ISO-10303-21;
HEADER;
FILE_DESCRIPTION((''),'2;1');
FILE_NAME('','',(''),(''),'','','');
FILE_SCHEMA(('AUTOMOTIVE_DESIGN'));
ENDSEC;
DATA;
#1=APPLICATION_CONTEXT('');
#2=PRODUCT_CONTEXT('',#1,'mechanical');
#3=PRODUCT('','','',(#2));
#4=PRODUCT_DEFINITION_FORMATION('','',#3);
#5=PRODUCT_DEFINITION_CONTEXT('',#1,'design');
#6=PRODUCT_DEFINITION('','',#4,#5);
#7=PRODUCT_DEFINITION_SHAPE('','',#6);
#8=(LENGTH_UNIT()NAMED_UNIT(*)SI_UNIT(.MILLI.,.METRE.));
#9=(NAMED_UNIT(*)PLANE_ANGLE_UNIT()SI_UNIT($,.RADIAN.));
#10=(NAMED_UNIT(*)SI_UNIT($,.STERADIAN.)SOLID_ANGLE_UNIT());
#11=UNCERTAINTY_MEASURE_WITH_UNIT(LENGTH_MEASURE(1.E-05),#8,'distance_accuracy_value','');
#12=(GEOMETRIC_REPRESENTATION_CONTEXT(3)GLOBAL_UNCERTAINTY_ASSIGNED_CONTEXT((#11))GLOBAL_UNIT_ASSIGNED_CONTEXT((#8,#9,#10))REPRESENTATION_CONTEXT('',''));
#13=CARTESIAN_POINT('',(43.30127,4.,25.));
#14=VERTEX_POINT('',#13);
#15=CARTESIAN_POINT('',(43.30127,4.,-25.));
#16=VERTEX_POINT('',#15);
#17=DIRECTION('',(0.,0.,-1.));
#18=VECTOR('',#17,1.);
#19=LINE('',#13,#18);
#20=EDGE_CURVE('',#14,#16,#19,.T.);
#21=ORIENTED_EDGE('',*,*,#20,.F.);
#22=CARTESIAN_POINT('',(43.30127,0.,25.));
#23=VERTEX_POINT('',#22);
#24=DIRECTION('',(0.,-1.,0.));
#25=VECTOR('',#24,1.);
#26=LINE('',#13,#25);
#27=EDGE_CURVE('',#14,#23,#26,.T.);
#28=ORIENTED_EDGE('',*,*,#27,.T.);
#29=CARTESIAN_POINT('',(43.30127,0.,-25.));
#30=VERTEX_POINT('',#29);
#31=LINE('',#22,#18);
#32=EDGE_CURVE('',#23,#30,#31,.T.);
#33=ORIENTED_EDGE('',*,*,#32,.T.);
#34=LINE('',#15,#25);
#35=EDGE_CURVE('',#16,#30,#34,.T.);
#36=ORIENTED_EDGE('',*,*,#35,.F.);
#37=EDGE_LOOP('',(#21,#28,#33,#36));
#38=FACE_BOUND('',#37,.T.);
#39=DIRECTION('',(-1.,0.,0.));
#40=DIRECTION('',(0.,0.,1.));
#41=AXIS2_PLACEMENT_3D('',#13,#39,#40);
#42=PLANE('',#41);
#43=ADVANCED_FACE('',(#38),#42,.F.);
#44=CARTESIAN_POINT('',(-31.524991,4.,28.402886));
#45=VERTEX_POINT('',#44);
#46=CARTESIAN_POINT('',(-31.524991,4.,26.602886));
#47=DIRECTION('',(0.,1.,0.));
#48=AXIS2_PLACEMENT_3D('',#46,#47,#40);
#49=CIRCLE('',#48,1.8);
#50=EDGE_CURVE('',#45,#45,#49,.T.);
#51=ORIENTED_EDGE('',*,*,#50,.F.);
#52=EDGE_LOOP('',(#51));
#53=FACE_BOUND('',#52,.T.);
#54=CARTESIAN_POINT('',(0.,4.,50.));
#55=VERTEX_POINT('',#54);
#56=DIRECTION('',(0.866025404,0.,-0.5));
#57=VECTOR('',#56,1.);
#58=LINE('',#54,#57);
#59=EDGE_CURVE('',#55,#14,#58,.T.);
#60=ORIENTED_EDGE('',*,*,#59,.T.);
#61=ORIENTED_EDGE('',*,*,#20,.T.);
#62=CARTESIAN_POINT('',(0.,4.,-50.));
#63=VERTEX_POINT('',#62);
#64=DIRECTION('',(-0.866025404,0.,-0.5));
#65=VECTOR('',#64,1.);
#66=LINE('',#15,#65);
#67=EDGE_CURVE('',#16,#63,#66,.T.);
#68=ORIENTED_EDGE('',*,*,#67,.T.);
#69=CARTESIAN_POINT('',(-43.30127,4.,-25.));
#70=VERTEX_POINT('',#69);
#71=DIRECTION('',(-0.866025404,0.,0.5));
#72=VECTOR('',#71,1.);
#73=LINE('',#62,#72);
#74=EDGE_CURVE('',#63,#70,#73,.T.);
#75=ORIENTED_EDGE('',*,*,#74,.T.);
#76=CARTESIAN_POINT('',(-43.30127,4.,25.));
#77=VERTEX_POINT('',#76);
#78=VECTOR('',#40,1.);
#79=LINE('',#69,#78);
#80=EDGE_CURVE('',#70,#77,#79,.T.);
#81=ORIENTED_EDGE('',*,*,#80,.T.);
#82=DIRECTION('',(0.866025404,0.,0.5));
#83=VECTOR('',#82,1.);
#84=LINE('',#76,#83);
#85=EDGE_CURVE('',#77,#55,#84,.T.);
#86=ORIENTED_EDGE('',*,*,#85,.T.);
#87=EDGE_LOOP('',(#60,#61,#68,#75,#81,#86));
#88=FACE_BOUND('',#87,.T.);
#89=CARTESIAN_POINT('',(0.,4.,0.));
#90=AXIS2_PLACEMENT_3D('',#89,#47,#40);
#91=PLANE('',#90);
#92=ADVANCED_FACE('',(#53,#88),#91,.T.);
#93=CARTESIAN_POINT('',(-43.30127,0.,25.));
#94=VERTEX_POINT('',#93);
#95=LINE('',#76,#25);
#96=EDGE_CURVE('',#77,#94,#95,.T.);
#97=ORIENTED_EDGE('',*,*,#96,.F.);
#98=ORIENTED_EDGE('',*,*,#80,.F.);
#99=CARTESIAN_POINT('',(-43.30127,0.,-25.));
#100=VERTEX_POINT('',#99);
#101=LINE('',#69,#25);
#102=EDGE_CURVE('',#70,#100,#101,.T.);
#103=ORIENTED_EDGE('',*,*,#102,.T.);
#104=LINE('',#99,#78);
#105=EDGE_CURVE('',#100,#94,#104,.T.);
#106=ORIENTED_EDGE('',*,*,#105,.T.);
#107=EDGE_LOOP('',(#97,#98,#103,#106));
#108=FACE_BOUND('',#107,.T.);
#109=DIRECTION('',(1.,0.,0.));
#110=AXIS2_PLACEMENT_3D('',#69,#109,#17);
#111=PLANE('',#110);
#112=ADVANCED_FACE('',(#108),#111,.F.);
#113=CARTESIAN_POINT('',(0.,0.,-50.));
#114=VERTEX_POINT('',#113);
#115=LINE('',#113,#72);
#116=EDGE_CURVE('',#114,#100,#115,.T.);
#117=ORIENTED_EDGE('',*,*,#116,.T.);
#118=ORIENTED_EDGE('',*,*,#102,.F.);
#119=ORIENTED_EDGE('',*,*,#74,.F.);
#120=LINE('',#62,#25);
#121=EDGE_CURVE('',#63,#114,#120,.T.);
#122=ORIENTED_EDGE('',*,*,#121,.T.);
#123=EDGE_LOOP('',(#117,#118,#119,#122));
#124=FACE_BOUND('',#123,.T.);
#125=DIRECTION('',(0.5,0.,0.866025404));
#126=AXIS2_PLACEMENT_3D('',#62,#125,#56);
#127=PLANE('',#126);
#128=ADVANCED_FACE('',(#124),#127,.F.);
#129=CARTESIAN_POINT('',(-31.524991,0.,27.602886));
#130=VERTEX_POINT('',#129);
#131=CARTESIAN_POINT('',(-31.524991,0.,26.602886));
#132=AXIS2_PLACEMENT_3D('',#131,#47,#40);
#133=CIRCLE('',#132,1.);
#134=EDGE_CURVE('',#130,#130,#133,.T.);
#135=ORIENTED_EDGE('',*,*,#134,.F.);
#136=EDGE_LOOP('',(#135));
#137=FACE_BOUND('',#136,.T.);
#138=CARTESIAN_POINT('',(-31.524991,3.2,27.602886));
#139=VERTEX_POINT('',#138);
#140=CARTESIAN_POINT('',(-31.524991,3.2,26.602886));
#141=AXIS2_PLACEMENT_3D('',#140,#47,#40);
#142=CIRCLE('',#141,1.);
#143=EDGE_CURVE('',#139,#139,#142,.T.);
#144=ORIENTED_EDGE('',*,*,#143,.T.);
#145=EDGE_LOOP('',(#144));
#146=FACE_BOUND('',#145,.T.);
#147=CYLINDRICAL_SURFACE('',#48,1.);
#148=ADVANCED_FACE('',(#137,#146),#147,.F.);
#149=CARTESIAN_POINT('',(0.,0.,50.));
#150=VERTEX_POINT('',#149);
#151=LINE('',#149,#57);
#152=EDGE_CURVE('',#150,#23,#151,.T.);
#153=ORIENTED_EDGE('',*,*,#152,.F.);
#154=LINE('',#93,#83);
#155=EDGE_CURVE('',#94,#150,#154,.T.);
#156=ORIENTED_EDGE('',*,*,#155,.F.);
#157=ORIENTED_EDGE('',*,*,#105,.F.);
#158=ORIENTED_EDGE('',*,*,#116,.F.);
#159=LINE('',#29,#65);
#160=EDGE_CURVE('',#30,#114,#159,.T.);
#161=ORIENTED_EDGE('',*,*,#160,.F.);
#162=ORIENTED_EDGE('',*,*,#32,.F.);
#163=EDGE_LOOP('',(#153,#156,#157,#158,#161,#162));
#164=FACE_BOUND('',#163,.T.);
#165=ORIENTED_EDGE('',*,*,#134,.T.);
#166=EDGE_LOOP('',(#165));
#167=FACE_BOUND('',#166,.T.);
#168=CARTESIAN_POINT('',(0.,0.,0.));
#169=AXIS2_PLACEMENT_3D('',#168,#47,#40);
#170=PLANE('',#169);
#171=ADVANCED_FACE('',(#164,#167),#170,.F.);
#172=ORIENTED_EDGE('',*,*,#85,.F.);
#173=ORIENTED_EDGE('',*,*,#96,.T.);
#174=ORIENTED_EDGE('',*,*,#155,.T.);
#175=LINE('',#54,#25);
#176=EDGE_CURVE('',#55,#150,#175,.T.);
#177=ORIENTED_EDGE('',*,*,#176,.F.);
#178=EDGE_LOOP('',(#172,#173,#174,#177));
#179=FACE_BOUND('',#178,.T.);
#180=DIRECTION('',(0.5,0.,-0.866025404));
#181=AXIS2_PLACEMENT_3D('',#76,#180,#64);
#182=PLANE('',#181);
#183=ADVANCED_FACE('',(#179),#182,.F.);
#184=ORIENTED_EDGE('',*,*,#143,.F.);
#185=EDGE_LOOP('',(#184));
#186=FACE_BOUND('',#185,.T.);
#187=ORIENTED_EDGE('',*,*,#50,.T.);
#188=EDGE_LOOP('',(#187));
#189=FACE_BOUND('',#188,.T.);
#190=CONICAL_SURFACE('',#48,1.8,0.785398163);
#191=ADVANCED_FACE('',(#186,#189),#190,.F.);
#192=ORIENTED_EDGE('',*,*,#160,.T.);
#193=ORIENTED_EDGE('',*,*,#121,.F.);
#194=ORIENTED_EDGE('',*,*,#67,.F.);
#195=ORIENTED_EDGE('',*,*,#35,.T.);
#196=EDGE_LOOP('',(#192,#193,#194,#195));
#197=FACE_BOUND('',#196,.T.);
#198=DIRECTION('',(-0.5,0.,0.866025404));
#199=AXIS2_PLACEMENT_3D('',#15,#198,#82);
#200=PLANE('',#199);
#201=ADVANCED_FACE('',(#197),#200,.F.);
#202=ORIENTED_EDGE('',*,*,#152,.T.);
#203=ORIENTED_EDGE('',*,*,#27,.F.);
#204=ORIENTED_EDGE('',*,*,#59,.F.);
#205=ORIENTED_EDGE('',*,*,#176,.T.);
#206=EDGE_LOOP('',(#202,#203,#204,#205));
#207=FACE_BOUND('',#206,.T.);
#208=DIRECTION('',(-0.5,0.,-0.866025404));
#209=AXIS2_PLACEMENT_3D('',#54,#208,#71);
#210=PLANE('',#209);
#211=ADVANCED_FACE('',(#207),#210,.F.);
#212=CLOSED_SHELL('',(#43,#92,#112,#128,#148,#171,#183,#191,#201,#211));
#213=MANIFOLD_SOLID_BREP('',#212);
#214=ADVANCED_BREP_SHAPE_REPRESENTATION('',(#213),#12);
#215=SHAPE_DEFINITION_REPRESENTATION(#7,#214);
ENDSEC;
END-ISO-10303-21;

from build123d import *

# Parameters (mm, degrees)
BOSS_EXTRUDE1_DEPTH                                  = 4
CSK_FOR_M1_6_COUNTERSUNK_FLAT_HEAD_SCREW_D           = 2
CSK_FOR_M1_6_COUNTERSUNK_FLAT_HEAD_SCREW_CSINK_D     = 3.6
CSK_FOR_M1_6_COUNTERSUNK_FLAT_HEAD_SCREW_CSINK_ANGLE = 90


with BuildPart() as part:
    # Sketch1 → Boss-Extrude1 (new body)
    with BuildSketch(Plane(origin=(0, 0, 0), x_dir=(1, 0, 0), z_dir=(0, 1, 0))):
        Polygon((0, 50), (-43.301270189, 25), (-43.301270189, -25), (0, -50), (43.301270189, -25), (43.301270189, 25), align=None)
    extrude(amount=BOSS_EXTRUDE1_DEPTH)

    # CSK for M1.6 Countersunk Flat Head Screw1 (through all)
    with Locations(Plane(origin=(-40.56776455, 4, -91.833285009), x_dir=(1, 0, 0), z_dir=(0, 1, 0))):
        with Locations((9.042773802, -118.436170692)):
            CounterSinkHole(CSK_FOR_M1_6_COUNTERSUNK_FLAT_HEAD_SCREW_D / 2, CSK_FOR_M1_6_COUNTERSUNK_FLAT_HEAD_SCREW_CSINK_D / 2, counter_sink_angle=CSK_FOR_M1_6_COUNTERSUNK_FLAT_HEAD_SCREW_CSINK_ANGLE)


solid = part.part
